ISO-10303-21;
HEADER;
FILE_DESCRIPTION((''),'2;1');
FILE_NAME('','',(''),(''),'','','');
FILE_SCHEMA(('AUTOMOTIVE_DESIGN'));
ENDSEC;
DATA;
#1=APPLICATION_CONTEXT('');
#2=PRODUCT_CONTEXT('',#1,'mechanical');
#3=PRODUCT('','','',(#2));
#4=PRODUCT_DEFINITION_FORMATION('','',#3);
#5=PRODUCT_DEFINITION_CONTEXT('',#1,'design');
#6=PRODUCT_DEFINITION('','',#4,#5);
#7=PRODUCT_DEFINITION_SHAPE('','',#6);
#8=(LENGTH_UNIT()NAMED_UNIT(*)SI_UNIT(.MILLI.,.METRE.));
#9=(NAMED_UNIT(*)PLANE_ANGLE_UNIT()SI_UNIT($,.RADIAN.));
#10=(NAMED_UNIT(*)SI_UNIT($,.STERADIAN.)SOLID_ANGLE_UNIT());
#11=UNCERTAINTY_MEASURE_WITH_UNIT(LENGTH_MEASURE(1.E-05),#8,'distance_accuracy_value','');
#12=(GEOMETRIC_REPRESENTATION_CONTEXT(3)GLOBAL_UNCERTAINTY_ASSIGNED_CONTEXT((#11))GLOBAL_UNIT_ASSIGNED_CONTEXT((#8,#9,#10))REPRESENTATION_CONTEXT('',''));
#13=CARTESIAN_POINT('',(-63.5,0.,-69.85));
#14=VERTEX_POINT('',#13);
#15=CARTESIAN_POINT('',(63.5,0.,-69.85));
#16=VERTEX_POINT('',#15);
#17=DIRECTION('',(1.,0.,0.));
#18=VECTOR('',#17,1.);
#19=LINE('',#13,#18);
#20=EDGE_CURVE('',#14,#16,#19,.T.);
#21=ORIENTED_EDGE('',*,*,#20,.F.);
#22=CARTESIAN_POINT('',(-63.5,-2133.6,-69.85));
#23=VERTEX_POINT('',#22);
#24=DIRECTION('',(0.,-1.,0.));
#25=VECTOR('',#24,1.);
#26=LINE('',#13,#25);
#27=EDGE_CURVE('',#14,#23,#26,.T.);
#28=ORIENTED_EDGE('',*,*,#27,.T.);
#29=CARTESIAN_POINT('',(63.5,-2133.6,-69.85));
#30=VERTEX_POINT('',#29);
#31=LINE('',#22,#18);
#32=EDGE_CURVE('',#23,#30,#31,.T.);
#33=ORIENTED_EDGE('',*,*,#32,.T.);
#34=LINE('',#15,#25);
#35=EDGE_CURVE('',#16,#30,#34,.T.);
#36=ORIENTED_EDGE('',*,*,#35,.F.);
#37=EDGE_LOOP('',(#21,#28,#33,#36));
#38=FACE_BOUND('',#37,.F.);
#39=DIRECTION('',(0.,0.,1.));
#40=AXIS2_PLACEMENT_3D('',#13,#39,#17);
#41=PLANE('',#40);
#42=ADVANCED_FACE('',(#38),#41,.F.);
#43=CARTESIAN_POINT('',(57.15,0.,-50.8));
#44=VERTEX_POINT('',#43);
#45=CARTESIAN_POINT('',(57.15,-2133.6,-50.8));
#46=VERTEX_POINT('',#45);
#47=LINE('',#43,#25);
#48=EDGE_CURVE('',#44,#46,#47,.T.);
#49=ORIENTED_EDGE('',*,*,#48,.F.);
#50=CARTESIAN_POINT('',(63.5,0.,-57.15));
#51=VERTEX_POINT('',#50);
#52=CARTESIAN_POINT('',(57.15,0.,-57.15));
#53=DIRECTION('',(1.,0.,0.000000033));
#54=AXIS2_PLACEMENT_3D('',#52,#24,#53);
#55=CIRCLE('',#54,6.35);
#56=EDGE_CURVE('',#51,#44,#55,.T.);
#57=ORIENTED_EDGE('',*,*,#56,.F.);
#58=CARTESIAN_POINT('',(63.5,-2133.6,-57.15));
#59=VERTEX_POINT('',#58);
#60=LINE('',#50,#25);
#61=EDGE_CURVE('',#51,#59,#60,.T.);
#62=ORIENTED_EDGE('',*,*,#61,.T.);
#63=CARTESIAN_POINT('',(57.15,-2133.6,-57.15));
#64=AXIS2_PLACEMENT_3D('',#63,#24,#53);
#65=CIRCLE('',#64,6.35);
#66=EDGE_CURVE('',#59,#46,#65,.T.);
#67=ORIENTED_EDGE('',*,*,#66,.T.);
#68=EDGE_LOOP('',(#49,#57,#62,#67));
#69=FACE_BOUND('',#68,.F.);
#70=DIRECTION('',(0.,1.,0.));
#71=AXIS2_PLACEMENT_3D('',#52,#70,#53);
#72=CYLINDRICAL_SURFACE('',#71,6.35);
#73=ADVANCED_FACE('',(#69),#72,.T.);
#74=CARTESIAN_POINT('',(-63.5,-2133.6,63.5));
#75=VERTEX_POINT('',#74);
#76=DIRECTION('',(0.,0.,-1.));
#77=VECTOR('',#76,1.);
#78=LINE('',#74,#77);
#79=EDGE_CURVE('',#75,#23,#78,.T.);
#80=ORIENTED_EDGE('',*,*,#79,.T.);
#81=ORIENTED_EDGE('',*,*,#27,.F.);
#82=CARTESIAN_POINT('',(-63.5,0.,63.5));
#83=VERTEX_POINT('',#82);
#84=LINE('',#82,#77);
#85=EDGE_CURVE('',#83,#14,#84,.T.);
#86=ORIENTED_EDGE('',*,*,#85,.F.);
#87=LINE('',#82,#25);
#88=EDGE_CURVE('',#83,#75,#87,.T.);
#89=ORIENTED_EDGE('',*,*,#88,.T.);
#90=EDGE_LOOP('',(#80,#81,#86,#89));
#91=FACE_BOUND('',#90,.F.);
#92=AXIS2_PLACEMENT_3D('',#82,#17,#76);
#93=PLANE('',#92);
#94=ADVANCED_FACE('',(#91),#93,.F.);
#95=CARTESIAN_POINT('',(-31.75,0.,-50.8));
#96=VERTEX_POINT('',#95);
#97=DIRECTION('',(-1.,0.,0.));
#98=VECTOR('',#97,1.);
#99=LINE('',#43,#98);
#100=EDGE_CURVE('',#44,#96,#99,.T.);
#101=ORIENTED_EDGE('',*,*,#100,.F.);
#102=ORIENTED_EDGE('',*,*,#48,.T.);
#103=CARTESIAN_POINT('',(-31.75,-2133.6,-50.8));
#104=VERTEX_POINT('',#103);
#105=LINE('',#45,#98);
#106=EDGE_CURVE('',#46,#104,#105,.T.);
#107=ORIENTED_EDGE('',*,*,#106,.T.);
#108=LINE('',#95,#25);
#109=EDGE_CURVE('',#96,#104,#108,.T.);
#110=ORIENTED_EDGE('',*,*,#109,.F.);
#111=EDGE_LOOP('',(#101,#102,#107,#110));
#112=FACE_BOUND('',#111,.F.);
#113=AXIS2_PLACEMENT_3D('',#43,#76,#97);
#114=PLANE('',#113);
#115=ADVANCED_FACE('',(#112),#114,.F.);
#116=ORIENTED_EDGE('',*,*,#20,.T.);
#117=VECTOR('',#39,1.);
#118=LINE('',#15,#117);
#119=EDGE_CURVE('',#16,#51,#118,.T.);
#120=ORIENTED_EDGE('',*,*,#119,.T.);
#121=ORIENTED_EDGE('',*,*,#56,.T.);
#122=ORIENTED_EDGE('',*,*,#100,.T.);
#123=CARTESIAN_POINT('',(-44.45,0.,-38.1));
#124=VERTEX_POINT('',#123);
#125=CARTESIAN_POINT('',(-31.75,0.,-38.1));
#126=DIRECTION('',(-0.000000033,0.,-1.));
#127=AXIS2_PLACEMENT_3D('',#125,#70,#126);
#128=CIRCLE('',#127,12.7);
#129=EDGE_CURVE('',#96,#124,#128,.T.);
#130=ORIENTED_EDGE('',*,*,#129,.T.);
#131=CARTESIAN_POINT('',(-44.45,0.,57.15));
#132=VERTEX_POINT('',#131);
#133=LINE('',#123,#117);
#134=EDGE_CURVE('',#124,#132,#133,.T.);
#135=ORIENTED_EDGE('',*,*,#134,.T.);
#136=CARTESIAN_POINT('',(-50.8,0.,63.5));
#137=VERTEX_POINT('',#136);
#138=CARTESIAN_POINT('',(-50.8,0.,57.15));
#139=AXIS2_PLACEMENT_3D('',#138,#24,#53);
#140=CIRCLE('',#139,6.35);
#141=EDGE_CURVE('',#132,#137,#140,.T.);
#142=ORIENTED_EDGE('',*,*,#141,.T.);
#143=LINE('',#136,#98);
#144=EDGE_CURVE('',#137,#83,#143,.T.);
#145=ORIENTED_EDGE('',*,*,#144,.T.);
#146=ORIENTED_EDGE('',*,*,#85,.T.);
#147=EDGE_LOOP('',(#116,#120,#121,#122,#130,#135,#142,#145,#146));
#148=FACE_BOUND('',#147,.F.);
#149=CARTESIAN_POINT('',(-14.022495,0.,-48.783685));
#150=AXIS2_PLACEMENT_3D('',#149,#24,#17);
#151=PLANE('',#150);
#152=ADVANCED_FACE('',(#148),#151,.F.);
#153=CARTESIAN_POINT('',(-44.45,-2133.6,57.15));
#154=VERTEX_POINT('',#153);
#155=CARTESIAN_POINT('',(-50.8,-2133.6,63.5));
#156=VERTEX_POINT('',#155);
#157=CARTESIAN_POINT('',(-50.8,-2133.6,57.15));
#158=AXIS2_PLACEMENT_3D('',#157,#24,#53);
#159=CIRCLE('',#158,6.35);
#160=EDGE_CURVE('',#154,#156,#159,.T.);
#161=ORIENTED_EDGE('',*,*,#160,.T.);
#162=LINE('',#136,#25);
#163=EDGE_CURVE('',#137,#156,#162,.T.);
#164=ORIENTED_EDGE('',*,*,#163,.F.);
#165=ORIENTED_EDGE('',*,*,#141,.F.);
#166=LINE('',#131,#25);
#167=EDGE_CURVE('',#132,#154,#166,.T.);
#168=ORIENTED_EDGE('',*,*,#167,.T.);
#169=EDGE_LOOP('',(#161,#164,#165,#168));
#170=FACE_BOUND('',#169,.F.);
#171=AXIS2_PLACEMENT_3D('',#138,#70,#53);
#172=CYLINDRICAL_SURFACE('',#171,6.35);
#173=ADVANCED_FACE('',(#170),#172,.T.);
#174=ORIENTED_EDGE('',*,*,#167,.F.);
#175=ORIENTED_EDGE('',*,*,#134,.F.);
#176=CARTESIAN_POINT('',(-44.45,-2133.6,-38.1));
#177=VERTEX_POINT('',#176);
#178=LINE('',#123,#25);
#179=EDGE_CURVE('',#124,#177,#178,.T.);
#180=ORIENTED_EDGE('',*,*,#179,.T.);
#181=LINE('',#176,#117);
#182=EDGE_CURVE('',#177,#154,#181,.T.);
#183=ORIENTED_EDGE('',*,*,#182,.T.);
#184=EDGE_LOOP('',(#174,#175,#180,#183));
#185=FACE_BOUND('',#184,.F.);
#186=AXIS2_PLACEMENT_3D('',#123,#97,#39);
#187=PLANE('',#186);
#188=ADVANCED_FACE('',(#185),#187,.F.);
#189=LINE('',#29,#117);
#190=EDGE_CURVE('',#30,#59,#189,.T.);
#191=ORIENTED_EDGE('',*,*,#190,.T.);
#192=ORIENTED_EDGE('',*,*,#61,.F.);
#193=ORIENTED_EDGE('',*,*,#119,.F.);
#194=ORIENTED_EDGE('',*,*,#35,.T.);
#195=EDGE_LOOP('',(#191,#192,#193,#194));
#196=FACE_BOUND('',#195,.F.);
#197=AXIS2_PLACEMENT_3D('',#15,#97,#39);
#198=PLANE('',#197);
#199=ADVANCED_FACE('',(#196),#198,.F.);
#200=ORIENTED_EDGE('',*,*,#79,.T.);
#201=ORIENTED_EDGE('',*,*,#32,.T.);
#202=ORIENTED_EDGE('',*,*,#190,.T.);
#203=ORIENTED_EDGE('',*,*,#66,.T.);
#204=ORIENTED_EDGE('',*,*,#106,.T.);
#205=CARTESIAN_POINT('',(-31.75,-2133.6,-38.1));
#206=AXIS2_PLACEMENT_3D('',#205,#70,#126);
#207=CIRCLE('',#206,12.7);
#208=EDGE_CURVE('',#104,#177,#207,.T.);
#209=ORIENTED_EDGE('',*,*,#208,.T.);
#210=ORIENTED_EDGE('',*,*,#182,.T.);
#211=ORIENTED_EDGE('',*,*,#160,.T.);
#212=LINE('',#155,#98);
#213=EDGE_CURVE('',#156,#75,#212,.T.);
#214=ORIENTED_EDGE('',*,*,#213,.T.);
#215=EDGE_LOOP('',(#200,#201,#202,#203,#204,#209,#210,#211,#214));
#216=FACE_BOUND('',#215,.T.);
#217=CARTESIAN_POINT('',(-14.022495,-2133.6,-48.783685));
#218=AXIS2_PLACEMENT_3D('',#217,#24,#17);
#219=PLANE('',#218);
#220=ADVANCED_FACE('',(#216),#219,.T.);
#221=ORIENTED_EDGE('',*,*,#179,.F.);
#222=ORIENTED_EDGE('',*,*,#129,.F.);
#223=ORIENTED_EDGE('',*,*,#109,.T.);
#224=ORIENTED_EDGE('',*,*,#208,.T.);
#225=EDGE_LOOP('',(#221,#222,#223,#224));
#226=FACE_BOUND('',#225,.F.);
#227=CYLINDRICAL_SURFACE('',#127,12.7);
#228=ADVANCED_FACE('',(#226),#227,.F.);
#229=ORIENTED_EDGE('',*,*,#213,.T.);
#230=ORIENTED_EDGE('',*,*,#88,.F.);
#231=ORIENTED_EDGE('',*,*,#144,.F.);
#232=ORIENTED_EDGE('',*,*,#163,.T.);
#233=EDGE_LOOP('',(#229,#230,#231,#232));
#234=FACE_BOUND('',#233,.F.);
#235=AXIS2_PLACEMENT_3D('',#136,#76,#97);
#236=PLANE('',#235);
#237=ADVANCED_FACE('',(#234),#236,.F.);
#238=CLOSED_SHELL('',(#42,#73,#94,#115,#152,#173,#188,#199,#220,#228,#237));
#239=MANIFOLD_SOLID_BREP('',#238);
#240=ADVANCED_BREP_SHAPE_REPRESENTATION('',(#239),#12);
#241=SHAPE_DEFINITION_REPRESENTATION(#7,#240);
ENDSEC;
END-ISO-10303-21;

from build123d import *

# Parameters (mm, degrees)
F1_DEPTH = 2133.6


with BuildPart() as f1:
    # F0 (on Front) → F1 (new body)
    with BuildSketch(Plane.XZ):
        with BuildLine():
            Line((-44.45, -38.1), (-44.45, 0))
            Line((-44.45, 0), (-63.5, 0))
            Line((-63.5, 0), (-63.5, -44.45))
            Line((-63.5, -44.45), (-63.5, -69.85))
            Line((-63.5, -69.85), (-44.45, -69.85))
            Line((-44.45, -69.85), (63.5, -69.85))
            Line((63.5, -69.85), (63.5, -57.15))
            ThreePointArc((63.5, -57.15), (61.640128, -52.659872), (57.15, -50.8))
            Line((57.15, -50.8), (-31.75, -50.8))
            ThreePointArc((-31.75, -50.8), (-40.730256, -47.080256), (-44.45, -38.1))
        make_face()
        with BuildLine():
            Line((-63.5, 0), (-44.45, 0))
            Line((-44.45, 0), (-44.45, 57.15))
            ThreePointArc((-44.45, 57.15), (-46.309872, 61.640128), (-50.8, 63.5))
            Line((-50.8, 63.5), (-63.5, 63.5))
            Line((-63.5, 63.5), (-63.5, 0))
        make_face()
    extrude(amount=F1_DEPTH)


solid = f1.part
